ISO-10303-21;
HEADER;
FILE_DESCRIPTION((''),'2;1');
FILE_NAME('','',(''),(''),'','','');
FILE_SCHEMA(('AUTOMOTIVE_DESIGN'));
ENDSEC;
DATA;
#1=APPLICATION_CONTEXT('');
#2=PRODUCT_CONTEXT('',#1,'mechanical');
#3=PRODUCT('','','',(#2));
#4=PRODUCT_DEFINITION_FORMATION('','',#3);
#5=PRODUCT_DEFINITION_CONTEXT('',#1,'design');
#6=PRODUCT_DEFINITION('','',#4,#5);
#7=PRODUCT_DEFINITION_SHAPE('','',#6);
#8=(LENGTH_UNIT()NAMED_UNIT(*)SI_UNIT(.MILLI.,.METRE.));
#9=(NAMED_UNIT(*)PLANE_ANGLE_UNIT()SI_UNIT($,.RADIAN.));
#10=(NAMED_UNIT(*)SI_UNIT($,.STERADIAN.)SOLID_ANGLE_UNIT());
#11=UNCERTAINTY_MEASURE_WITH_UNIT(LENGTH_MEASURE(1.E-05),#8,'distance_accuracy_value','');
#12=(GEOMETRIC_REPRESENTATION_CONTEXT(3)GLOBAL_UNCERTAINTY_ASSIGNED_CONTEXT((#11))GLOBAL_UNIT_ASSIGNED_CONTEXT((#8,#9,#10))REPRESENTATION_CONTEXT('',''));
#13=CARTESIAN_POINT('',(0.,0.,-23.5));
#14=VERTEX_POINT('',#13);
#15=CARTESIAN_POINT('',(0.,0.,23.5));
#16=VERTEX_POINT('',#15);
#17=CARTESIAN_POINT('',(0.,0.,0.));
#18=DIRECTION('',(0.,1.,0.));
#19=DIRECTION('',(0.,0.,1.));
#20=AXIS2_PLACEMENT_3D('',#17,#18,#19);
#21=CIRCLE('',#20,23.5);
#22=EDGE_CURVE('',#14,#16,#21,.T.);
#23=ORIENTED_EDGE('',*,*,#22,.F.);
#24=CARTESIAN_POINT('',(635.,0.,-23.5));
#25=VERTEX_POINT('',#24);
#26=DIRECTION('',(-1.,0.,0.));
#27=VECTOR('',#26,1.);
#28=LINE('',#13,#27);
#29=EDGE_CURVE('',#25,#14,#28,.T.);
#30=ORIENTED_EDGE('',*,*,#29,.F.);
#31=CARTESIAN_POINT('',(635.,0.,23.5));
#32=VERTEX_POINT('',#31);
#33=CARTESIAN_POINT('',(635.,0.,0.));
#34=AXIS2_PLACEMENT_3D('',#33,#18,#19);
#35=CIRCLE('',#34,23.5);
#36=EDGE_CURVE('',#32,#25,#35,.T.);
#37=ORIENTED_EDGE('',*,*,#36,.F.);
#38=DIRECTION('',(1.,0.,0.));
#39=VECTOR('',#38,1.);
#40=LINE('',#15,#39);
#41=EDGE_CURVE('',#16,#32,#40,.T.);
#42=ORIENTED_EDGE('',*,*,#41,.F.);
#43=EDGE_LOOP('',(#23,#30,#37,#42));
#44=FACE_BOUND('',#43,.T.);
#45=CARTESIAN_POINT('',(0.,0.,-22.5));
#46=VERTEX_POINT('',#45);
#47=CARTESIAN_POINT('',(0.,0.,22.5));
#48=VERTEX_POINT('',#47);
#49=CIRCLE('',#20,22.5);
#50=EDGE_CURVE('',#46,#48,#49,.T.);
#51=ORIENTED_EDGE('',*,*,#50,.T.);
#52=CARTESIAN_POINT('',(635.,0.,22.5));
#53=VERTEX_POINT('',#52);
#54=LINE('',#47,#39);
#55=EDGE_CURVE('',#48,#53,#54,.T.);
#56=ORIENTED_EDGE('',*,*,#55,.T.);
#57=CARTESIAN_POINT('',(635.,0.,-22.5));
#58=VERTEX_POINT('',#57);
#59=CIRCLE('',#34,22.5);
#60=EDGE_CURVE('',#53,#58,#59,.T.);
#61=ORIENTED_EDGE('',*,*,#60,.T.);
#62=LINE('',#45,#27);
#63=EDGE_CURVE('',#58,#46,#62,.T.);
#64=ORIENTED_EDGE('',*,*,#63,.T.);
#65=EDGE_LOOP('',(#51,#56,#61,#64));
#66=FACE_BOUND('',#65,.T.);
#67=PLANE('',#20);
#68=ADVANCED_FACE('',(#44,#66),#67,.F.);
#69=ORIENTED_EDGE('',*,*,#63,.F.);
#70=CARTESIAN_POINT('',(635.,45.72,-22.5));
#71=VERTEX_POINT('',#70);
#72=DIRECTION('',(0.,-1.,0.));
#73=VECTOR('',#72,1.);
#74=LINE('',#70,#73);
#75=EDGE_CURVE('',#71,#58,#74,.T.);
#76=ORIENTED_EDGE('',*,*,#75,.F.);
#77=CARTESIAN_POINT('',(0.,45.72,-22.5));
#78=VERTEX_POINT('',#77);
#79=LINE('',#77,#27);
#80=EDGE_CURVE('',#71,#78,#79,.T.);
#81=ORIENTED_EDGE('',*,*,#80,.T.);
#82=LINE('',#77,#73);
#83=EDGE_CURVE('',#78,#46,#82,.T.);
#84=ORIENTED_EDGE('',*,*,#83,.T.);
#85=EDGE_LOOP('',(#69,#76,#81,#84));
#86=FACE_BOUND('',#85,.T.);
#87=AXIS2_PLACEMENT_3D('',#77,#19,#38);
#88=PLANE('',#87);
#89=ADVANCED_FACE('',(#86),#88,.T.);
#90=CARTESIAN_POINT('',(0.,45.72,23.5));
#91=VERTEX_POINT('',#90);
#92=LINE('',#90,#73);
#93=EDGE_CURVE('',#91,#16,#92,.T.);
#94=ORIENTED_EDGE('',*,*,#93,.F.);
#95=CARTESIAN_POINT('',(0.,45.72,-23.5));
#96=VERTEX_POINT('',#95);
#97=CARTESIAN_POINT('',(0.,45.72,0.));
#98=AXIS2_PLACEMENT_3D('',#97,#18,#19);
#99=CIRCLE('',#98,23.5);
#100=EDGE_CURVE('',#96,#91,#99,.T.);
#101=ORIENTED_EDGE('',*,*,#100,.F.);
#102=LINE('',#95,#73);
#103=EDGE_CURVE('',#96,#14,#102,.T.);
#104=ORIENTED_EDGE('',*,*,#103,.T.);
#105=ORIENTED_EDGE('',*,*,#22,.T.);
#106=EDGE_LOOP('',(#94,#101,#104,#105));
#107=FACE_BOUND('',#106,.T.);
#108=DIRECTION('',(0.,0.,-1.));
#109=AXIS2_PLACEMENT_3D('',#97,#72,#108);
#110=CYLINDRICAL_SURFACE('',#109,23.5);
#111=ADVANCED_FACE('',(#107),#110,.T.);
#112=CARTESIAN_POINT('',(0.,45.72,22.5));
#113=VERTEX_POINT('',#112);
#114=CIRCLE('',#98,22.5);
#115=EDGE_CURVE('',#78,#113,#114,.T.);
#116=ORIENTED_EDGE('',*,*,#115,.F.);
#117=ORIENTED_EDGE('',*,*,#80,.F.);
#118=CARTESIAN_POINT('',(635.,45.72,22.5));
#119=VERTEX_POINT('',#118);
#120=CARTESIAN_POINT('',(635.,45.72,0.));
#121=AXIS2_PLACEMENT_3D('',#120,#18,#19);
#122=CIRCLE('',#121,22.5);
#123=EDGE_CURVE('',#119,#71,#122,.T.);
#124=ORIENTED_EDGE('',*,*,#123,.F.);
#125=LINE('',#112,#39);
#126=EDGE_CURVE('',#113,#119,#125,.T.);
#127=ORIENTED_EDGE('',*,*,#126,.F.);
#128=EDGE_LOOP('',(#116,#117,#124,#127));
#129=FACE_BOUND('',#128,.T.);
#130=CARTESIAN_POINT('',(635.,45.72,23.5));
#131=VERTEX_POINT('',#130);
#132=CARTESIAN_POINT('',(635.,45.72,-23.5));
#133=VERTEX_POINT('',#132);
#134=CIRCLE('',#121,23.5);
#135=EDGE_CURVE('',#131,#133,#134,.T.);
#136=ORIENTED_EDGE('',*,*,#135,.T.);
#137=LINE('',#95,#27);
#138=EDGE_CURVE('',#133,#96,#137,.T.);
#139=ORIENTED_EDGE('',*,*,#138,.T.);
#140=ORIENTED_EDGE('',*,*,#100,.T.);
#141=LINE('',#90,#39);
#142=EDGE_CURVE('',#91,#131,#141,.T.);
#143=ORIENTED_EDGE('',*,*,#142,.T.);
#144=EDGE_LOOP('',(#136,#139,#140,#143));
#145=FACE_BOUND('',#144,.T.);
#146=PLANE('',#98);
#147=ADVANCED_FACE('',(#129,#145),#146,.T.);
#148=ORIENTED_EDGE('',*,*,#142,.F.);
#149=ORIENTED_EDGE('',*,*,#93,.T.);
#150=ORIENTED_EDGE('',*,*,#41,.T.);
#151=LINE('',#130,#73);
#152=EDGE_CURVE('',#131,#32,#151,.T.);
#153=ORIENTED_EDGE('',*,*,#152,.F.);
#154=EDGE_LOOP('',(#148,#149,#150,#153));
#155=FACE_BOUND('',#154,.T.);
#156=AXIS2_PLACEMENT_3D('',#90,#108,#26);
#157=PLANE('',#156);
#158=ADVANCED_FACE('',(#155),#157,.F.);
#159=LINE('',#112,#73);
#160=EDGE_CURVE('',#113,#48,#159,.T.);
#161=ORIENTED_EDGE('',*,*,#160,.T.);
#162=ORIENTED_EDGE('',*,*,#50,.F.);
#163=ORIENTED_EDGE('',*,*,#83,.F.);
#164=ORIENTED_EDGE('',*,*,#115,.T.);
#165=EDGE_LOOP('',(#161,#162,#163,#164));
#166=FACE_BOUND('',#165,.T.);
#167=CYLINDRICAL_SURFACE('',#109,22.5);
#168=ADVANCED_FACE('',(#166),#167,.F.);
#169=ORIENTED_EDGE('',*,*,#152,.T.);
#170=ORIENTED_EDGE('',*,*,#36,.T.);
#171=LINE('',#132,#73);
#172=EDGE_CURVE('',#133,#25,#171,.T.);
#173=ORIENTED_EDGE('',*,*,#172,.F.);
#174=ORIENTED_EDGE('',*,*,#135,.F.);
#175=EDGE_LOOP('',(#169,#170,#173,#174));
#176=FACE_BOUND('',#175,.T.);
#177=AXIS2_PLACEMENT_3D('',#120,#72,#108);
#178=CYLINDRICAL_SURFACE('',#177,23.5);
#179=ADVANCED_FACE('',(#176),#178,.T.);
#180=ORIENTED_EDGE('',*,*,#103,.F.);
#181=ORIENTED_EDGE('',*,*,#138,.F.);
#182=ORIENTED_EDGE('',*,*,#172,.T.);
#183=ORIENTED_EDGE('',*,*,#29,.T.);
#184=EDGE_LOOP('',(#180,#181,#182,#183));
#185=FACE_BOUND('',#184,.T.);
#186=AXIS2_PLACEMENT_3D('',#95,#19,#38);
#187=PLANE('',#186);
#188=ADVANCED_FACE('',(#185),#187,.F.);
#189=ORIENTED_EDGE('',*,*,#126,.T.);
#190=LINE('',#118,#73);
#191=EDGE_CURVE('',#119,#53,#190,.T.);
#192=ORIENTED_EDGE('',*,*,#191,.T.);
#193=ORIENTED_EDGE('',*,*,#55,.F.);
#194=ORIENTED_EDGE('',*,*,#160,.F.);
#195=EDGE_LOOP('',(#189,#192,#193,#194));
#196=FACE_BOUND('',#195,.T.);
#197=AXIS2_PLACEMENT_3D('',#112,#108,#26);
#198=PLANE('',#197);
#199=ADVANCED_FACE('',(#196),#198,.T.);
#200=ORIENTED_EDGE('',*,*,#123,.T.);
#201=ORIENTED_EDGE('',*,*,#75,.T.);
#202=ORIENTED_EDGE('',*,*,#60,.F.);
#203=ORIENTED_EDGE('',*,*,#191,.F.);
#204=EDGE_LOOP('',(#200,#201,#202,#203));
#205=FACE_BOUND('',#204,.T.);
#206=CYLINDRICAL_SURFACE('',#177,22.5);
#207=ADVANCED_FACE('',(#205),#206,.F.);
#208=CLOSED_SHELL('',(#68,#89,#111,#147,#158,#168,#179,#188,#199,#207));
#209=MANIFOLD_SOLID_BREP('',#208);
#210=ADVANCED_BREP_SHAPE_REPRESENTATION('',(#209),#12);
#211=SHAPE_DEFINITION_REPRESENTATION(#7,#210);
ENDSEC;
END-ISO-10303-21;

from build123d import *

# Parameters (mm, degrees)
BOSS_EXTRUDE1_DEPTH = 45.72


with BuildPart() as part:
    # Sketch1 → Boss-Extrude1 (new body)
    with BuildSketch(Plane(origin=(0, 0, 0), x_dir=(1, 0, 0), z_dir=(0, 1, 0))):
        with BuildLine():
            Line((0, 23.5), (635, 23.5))
            ThreePointArc((635, 23.5), (658.5, 0), (635, -23.5))
            Line((635, -23.5), (0, -23.5))
            ThreePointArc((0, -23.5), (-23.5, 0), (0, 23.5))
        make_face()
        with BuildLine():
            Line((0, 22.5), (635, 22.5))
            ThreePointArc((635, 22.5), (657.5, 0), (635, -22.5))
            Line((635, -22.5), (0, -22.5))
            ThreePointArc((0, -22.5), (-22.5, 0), (0, 22.5))
        make_face(mode=Mode.SUBTRACT)
    extrude(amount=BOSS_EXTRUDE1_DEPTH)


solid = part.part
